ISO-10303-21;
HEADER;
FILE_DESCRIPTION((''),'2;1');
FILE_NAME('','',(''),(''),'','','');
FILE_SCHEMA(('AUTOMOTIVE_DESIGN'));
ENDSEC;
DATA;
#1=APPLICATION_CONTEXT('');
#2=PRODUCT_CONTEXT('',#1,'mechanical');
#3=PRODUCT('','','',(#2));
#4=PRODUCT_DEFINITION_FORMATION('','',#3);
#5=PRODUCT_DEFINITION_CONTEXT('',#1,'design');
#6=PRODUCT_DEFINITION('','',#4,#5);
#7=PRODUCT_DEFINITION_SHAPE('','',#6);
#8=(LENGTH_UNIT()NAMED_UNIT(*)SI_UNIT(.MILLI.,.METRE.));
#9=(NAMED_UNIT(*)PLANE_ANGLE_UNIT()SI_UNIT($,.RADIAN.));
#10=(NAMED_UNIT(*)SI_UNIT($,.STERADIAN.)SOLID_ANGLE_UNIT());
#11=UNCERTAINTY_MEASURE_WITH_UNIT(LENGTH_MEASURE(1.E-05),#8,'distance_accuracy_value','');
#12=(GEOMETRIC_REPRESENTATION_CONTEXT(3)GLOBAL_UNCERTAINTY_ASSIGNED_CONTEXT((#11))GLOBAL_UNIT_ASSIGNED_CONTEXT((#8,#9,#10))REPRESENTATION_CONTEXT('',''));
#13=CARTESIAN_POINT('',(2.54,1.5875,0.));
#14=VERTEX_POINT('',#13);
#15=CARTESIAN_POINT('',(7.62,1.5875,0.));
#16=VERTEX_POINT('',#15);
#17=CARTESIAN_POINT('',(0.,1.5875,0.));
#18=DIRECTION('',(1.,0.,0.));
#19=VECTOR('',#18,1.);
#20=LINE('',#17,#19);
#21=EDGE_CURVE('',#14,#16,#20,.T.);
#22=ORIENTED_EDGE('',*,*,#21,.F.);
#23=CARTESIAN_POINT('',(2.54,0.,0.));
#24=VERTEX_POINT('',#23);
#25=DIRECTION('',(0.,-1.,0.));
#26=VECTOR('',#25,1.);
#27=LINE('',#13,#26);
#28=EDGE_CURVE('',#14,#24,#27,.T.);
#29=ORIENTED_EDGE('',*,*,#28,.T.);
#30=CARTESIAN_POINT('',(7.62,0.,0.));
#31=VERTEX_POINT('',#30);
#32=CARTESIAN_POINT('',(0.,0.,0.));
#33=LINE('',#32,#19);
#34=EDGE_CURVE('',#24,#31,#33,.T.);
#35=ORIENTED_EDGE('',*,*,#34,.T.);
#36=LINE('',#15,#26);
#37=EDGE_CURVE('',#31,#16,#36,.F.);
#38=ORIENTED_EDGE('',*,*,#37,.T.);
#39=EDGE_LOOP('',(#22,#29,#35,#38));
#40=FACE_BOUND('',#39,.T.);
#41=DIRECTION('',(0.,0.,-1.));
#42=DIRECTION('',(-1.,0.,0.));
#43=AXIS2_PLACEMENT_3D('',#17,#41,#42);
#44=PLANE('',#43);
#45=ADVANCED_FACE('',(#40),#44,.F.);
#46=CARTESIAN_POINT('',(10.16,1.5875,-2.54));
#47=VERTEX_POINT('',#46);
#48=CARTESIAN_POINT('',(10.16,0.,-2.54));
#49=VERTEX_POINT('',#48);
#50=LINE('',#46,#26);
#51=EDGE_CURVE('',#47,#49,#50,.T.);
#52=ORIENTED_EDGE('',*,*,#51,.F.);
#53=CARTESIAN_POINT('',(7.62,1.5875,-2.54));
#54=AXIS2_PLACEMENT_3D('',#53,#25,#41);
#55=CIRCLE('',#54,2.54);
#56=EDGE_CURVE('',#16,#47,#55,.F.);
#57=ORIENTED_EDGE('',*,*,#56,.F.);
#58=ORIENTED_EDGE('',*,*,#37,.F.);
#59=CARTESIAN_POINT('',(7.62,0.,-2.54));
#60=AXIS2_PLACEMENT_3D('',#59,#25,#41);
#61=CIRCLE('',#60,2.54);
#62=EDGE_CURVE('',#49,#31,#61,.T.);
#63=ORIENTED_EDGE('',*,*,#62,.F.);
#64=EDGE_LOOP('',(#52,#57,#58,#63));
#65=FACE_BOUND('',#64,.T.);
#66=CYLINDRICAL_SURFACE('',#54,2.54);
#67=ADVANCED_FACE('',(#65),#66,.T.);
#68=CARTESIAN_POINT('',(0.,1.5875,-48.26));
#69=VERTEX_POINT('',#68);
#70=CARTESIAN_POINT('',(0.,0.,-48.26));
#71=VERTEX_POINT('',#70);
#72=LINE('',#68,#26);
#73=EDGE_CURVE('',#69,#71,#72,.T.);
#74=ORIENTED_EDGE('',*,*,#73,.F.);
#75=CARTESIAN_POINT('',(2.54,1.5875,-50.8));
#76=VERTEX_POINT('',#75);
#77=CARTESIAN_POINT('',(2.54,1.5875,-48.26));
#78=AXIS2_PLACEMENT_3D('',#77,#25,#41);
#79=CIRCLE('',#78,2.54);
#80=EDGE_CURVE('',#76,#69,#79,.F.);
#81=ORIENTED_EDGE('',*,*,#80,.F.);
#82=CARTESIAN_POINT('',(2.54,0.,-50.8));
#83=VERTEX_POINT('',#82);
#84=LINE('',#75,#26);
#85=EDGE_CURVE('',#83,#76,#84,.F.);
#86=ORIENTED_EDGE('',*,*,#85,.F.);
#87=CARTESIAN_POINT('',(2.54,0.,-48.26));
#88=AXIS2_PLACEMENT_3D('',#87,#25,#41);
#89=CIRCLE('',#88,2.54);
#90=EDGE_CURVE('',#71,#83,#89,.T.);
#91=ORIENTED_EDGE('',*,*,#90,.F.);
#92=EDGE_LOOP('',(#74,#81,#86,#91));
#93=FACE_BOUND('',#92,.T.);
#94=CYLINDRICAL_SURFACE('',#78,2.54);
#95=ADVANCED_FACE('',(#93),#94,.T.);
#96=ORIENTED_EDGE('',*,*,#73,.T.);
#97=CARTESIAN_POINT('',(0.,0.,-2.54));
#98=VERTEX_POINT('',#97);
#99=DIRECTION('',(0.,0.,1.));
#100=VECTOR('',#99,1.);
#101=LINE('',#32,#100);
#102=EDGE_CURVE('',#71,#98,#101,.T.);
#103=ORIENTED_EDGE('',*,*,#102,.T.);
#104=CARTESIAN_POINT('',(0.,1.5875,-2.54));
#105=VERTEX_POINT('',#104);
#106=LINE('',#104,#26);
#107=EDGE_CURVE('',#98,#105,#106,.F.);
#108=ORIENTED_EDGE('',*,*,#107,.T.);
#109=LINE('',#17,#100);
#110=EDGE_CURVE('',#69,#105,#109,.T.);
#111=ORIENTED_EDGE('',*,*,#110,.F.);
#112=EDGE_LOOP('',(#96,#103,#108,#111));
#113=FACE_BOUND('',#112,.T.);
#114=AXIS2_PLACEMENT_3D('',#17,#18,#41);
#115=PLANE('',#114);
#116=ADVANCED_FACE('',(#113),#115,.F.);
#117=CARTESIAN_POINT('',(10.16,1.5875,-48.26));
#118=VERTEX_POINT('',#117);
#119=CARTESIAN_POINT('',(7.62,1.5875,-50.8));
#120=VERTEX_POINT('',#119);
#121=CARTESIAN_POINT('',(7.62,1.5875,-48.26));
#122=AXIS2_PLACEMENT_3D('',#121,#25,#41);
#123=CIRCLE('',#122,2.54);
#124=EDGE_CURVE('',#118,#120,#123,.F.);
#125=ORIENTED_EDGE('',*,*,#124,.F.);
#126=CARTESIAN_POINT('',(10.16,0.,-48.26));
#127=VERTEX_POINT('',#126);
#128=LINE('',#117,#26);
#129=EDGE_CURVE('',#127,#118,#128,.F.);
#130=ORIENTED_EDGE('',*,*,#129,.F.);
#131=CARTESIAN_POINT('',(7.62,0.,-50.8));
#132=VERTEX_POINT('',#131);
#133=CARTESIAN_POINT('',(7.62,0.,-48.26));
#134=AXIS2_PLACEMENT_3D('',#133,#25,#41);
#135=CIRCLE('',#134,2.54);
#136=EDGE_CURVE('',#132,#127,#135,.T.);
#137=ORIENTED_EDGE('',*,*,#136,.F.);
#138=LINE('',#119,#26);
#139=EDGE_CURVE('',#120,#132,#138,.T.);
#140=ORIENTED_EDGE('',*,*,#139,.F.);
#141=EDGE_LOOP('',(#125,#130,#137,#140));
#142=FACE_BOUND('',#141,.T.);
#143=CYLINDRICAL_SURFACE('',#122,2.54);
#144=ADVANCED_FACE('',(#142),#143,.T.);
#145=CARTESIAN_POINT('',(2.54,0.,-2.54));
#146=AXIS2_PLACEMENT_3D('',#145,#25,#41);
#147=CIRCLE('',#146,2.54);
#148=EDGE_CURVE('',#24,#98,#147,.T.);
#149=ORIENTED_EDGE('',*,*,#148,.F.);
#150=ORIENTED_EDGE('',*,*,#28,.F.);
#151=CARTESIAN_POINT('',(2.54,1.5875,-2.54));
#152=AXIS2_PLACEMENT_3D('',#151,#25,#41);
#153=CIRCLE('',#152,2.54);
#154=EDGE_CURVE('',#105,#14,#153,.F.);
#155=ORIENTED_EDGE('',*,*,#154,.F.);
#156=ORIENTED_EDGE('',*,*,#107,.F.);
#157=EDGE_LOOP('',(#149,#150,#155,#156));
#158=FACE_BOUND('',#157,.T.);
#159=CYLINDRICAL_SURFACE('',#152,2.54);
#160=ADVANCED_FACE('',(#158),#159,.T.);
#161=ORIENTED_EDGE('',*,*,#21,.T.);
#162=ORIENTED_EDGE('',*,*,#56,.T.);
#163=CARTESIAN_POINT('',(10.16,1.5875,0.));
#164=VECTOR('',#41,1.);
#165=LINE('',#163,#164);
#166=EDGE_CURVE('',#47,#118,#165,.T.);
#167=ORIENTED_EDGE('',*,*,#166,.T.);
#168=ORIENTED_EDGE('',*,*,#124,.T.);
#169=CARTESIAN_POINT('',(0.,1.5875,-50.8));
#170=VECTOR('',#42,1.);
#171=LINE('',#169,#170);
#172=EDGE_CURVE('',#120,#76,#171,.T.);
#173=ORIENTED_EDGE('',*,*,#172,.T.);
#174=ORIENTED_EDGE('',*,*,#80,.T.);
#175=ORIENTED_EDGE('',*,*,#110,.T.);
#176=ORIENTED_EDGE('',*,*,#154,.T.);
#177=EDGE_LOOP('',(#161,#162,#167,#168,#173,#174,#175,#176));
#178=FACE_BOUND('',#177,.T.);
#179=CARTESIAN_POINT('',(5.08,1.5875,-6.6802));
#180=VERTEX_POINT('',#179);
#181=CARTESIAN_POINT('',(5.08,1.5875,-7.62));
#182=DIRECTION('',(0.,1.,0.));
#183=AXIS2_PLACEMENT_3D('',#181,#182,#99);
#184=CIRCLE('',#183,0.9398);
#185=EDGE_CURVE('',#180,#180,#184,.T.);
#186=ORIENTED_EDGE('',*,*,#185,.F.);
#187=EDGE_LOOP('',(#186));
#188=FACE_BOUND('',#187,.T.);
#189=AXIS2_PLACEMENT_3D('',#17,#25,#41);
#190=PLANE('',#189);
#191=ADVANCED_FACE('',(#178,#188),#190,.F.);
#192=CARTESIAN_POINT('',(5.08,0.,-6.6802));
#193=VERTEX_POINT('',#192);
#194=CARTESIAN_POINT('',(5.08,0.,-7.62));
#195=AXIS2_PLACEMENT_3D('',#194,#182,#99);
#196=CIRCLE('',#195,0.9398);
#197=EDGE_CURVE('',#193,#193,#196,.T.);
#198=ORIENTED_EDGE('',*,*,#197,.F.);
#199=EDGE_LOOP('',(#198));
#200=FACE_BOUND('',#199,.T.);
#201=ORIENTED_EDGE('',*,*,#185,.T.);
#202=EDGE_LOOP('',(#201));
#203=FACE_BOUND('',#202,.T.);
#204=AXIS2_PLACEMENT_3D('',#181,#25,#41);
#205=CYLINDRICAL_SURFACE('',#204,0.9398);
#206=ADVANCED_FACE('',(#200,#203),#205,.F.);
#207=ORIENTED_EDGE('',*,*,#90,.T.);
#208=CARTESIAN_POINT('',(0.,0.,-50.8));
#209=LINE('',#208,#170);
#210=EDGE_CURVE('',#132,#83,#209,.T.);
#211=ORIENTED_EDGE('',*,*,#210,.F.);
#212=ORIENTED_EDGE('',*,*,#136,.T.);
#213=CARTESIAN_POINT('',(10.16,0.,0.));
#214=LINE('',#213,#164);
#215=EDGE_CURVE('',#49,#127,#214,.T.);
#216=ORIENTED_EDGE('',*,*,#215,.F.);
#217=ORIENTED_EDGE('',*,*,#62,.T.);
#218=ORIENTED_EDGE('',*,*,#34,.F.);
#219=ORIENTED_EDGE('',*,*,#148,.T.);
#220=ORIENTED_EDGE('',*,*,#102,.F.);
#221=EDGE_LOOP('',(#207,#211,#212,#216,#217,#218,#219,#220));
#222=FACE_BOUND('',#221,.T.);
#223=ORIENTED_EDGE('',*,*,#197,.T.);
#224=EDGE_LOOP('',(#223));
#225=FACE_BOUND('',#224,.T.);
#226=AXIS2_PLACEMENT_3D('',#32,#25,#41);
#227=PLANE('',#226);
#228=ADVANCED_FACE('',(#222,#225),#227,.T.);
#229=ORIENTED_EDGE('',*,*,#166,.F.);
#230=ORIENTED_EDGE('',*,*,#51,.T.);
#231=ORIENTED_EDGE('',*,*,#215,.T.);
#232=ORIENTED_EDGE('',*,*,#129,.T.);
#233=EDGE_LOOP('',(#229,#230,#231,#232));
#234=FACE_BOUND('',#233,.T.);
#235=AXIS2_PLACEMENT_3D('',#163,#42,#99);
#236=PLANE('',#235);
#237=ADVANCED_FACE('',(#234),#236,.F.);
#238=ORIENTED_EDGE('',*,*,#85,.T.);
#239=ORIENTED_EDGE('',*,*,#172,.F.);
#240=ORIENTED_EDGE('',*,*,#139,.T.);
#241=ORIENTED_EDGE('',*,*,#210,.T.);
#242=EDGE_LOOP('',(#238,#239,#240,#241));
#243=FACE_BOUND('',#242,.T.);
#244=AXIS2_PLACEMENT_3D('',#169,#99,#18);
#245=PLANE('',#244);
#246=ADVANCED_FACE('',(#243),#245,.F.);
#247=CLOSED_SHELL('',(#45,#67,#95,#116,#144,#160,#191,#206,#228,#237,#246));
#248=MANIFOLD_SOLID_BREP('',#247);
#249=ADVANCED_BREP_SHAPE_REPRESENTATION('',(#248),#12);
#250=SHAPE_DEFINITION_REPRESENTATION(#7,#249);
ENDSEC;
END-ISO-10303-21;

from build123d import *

# Parameters (mm, degrees)
SKETCH1_W           = 10.16
SKETCH1_H           = 50.8
SKETCH1_R           = 0.9398
BOSS_EXTRUDE1_DEPTH = 1.5875
FILLET1_R           = 2.54


with BuildPart() as part:
    # Sketch1 → Boss-Extrude1 (new body)
    with BuildSketch(Plane(origin=(0, 0, 0), x_dir=(1, 0, 0), z_dir=(0, 1, 0))):
        with Locations((5.08, 25.4)):
            Rectangle(SKETCH1_W, SKETCH1_H)
        with Locations(Location((5.08, 7.62, 0), (0, 0, 270))):
            Circle(SKETCH1_R, mode=Mode.SUBTRACT)
    extrude(amount=BOSS_EXTRUDE1_DEPTH)

    # Fillet1
    fillet1_edges = [part.edges().sort_by_distance(p)[0] for p in [
        (0, 0.79375, -50.8),
        (10.16, 0.79375, -50.8),
        (10.16, 0.79375, 0),
        (0, 0.79375, 0),
    ]]
    fillet(fillet1_edges, radius=FILLET1_R)


solid = part.part
